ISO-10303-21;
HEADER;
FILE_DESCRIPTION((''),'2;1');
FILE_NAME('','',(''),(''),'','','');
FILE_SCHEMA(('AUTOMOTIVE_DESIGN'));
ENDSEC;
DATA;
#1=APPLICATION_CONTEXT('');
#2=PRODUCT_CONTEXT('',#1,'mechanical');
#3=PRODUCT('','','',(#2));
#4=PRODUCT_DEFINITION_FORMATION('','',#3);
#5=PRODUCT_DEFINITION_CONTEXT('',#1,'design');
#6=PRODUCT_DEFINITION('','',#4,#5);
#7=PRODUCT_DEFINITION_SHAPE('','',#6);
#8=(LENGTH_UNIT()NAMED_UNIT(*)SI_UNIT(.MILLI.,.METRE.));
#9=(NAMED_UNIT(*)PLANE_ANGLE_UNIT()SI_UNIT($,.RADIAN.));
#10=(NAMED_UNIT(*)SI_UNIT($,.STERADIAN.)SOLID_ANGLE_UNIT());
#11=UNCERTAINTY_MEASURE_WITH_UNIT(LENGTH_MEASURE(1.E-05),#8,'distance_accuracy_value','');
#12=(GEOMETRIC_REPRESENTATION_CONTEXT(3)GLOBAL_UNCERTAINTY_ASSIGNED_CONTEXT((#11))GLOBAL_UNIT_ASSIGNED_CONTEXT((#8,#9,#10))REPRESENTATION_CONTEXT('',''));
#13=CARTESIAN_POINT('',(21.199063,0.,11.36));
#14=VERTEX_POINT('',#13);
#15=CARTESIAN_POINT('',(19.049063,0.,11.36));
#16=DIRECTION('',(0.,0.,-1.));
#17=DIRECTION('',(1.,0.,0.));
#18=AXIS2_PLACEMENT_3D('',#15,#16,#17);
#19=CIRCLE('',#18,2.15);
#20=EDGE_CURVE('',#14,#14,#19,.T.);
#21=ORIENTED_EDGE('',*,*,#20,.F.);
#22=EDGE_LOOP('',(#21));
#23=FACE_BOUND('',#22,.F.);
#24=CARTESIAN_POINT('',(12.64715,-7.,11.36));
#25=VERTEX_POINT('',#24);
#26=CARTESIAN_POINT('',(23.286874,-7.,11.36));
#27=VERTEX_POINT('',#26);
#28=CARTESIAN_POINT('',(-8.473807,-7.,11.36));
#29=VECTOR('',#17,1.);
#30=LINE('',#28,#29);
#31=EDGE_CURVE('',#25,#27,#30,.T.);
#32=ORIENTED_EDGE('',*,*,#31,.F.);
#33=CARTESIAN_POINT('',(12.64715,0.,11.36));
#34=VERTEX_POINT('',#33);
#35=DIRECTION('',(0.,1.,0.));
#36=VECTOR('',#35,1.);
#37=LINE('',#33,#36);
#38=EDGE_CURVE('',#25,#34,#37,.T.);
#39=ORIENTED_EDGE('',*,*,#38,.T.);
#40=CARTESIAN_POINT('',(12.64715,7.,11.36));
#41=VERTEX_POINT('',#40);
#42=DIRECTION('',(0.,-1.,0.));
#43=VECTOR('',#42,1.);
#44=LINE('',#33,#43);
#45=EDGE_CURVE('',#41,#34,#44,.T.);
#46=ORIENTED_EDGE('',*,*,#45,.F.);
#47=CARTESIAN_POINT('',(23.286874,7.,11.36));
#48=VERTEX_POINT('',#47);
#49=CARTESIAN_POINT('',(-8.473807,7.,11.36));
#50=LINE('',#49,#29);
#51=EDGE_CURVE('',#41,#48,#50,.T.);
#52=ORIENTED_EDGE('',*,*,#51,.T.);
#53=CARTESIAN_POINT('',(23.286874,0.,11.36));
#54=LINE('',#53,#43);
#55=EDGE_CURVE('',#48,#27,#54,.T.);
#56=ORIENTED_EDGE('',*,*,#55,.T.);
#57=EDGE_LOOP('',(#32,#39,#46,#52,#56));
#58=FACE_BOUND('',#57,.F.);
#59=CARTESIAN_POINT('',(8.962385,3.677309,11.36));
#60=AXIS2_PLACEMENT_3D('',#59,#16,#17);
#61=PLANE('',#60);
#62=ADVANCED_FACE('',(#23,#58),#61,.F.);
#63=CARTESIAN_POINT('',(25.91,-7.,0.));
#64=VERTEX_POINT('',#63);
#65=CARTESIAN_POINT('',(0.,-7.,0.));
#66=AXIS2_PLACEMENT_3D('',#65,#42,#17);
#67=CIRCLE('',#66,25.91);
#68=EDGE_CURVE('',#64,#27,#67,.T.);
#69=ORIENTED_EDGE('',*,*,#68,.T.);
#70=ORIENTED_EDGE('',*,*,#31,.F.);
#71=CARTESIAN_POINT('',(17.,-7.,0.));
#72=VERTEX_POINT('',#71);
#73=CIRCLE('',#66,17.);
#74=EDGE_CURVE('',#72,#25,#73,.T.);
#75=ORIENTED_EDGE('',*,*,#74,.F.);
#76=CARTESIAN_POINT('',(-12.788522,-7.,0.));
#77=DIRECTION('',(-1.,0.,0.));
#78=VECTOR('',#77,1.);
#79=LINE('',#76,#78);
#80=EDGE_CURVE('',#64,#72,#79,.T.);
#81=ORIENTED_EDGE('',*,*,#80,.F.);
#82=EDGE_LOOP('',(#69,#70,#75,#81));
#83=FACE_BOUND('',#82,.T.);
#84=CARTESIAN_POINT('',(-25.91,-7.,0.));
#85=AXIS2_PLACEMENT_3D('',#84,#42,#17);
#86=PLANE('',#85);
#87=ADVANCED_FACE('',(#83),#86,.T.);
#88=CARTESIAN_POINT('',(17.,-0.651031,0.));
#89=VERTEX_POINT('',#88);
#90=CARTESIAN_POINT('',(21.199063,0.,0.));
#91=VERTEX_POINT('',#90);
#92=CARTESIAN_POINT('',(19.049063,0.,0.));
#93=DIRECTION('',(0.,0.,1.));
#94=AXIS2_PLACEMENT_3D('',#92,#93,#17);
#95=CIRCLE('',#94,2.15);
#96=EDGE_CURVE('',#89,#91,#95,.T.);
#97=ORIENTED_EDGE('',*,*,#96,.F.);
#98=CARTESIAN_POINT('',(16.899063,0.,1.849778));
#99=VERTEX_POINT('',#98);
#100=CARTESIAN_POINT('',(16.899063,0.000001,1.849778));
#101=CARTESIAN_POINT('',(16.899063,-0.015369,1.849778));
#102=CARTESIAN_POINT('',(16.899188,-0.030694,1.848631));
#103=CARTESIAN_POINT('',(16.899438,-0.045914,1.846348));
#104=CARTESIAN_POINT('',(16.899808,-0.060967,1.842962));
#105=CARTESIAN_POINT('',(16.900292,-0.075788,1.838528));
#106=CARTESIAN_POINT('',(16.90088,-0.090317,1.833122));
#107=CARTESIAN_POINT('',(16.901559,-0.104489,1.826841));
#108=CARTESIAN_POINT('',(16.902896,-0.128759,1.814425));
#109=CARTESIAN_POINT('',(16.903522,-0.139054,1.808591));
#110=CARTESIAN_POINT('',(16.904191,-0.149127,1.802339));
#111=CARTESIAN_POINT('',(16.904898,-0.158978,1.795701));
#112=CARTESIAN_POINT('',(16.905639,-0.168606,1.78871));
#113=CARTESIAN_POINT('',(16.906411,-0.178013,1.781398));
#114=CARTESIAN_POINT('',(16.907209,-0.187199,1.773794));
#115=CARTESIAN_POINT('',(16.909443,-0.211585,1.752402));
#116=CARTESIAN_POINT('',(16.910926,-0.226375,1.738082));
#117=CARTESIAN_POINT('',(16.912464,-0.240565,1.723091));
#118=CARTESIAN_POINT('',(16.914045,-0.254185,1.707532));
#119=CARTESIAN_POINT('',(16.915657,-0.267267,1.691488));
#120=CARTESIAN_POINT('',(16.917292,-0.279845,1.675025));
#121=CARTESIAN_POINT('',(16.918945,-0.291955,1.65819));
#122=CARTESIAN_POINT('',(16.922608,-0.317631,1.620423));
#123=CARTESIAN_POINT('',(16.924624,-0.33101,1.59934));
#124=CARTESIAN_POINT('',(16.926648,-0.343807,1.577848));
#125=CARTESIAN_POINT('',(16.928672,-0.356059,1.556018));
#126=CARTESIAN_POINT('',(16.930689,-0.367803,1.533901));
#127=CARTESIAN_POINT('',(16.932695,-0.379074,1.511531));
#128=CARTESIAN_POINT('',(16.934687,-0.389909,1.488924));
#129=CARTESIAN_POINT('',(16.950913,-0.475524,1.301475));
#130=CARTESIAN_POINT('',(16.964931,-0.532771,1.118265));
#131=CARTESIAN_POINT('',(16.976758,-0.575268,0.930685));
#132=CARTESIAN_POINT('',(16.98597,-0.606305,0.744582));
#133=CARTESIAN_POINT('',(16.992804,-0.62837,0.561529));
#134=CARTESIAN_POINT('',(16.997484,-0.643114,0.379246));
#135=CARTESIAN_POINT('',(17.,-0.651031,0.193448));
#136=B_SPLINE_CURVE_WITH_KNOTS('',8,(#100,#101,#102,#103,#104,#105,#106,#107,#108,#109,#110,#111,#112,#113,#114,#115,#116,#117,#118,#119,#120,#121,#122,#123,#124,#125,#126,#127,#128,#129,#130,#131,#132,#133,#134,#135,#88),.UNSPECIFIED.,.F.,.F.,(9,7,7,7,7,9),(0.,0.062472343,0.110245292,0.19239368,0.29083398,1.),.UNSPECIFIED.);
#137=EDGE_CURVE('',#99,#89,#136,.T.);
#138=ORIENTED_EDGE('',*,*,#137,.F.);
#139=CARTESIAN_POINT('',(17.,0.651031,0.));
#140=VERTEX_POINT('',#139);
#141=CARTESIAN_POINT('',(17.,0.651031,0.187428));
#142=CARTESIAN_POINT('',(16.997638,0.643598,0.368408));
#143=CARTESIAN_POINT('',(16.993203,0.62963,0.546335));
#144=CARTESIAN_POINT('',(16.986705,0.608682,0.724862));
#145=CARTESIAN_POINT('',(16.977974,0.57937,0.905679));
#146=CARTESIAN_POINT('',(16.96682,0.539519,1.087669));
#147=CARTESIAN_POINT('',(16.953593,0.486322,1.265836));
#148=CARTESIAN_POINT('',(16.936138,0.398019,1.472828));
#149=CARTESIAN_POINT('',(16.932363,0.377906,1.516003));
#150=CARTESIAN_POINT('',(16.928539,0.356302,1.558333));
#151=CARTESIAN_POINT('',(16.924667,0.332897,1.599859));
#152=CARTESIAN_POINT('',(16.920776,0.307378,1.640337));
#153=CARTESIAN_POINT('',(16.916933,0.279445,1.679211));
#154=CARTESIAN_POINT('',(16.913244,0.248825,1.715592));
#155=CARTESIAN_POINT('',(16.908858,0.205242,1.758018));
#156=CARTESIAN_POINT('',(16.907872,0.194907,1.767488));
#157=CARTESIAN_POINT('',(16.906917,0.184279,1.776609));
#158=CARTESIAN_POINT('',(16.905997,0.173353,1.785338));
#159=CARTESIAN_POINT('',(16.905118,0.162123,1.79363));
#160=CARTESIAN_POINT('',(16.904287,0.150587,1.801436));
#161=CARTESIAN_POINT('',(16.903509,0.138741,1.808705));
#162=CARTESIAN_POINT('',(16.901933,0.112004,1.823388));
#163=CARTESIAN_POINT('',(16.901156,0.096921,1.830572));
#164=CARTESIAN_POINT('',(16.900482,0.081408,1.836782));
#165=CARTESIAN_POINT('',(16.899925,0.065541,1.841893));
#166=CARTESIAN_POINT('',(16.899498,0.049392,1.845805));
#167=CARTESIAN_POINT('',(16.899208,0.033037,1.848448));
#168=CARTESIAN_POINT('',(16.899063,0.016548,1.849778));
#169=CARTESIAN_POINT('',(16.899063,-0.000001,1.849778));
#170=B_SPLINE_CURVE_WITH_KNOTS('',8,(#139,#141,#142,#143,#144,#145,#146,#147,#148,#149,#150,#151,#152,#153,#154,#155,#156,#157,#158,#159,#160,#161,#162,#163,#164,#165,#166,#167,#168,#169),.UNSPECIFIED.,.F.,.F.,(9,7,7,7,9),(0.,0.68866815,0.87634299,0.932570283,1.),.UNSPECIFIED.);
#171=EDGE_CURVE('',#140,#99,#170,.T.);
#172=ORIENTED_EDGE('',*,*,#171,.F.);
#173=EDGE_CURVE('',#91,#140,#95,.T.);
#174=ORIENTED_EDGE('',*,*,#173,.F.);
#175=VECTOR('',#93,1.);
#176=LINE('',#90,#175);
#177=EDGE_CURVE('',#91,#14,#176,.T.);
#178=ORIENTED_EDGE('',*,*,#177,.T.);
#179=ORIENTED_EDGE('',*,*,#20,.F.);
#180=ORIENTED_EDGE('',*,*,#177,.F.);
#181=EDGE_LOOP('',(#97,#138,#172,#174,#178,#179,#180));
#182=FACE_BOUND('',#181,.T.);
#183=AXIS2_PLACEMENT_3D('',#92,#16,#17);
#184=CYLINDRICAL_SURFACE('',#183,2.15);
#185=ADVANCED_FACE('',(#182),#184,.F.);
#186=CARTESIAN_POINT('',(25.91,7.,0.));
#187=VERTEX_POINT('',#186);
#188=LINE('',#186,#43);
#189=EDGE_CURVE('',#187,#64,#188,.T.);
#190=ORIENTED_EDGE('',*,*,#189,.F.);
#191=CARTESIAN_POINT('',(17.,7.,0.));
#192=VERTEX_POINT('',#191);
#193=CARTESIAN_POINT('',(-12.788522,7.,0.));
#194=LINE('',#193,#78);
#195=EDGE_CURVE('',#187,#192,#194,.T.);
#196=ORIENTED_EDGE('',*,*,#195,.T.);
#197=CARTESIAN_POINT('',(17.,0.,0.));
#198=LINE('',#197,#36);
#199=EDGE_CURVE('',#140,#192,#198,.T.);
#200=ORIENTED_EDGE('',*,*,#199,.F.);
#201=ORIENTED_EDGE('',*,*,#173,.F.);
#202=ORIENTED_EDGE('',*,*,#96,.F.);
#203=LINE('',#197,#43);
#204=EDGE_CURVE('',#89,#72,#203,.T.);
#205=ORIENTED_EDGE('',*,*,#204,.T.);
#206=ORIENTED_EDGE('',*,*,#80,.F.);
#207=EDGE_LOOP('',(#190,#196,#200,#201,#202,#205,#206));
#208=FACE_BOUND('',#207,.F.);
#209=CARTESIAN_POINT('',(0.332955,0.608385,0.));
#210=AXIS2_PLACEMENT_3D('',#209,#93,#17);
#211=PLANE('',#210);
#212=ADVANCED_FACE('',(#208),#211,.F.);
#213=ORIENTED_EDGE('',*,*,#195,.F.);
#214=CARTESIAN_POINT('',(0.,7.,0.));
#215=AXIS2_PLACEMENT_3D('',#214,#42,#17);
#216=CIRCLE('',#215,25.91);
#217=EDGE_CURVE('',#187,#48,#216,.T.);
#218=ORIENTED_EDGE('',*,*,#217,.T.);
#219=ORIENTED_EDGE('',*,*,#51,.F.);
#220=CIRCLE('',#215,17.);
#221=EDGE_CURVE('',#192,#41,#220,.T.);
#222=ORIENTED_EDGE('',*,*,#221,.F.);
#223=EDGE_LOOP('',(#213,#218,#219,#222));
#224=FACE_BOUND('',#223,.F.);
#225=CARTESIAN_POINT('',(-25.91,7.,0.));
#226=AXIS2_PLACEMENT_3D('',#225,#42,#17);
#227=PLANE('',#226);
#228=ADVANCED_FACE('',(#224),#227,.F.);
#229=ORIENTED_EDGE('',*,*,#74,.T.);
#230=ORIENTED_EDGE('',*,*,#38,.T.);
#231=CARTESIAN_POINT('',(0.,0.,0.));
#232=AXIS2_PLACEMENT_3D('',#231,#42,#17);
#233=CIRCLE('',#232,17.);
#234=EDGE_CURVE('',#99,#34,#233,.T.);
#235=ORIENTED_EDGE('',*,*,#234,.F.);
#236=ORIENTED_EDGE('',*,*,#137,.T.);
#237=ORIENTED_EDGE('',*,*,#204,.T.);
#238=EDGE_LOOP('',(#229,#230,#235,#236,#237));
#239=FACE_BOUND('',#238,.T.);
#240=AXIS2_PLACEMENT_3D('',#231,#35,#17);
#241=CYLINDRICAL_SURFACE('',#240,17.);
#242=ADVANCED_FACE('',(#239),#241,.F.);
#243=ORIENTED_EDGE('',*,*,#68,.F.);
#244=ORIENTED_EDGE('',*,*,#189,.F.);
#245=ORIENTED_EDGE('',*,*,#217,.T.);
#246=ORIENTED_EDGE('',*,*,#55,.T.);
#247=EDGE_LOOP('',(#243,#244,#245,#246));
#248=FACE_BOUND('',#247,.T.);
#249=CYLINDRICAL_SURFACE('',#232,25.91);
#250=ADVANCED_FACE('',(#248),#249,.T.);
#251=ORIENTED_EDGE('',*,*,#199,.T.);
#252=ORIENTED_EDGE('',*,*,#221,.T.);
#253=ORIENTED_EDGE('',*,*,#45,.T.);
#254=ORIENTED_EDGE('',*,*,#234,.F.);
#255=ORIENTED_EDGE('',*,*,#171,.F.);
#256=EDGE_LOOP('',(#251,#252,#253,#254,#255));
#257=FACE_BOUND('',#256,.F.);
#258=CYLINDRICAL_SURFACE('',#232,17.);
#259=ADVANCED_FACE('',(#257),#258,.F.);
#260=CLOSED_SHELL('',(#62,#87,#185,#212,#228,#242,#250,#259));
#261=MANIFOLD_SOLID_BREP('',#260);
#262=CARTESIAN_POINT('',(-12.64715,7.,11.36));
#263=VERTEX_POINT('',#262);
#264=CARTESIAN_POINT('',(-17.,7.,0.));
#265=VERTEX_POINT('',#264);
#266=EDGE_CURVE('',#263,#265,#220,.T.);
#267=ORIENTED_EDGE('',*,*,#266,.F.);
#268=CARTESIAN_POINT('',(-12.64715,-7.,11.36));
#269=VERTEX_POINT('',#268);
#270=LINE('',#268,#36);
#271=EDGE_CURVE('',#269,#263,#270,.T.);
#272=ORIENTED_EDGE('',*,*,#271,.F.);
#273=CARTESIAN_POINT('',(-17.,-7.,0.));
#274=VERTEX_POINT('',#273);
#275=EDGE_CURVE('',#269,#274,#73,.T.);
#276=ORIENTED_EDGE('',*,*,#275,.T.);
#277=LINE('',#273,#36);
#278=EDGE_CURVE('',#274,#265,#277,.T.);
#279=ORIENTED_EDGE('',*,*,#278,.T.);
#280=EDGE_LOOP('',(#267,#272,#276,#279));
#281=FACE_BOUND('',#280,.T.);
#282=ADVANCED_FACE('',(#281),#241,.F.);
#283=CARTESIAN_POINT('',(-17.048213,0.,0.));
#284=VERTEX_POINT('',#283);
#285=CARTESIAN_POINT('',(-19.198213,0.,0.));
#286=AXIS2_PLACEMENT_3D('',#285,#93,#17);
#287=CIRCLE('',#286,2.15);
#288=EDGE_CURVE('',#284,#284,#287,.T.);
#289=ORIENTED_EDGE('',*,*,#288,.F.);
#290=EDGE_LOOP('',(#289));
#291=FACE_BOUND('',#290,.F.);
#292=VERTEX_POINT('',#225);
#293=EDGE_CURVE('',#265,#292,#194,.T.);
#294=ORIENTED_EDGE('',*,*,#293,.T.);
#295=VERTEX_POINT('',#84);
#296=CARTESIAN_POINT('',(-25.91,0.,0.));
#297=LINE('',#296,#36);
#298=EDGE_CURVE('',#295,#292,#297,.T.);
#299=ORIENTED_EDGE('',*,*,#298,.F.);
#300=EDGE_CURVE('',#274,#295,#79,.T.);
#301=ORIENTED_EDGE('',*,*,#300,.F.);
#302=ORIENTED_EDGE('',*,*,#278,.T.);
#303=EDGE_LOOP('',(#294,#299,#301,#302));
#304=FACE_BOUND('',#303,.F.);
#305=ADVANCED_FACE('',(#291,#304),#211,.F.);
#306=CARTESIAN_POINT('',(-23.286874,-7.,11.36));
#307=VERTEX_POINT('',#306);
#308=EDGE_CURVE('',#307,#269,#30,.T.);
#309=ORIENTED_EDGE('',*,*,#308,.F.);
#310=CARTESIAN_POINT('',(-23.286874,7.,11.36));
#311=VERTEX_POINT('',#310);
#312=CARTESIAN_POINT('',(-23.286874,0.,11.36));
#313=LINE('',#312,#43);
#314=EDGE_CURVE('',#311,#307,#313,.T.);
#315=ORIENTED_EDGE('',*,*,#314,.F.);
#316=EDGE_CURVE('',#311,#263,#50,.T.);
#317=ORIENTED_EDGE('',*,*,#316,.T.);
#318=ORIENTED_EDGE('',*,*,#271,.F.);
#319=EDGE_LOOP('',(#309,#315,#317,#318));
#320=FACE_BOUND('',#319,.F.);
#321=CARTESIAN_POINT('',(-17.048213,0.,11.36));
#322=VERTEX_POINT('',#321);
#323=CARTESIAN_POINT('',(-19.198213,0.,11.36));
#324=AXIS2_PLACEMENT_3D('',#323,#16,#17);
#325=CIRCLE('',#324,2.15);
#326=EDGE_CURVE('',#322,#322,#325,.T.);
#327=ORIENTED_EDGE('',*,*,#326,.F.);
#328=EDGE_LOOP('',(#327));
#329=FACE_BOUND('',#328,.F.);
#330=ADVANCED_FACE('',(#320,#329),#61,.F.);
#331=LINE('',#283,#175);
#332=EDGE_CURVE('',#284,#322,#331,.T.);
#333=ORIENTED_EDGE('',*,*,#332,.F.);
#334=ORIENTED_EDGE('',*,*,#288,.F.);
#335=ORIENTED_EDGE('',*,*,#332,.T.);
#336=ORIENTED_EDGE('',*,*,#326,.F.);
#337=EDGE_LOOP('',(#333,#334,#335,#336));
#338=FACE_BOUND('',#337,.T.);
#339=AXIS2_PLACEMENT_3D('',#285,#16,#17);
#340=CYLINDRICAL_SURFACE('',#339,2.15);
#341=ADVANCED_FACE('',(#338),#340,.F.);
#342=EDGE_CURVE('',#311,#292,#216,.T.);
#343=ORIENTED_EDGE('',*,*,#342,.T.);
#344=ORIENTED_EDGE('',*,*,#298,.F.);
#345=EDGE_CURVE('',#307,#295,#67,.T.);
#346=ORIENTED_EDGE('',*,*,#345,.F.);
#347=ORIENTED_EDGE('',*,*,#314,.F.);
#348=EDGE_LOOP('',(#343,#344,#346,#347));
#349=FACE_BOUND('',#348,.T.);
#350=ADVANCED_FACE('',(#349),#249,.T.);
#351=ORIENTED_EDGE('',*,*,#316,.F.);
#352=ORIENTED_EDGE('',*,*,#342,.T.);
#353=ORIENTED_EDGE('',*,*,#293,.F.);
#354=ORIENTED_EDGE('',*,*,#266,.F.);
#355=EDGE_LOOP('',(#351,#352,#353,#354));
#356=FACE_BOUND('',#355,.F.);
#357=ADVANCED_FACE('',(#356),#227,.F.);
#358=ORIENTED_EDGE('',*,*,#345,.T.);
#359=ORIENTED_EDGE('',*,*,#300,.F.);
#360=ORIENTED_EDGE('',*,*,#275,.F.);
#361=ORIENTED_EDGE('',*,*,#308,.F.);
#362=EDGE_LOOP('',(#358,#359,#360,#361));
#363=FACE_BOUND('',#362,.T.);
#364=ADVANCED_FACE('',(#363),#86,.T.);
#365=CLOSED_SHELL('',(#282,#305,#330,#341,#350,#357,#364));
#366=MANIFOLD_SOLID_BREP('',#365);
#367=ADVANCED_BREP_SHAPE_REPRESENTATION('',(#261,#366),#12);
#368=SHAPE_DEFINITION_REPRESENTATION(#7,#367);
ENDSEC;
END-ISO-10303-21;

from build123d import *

# Parameters (mm, degrees)
F0_R          = 25.91
F1_DEPTH      = 7
F1_DEPTH_BACK = 7
F2_R          = 17
F3_DEPTH      = 7
F3_DEPTH_BACK = 7
F5_W          = 10
F5_H          = 14
F6_DEPTH      = 20
F7_R          = 2.15
F8_DEPTH      = 30
F8_DEPTH_BACK = 30
F9_W          = 14
F9_H          = 14
F10_DEPTH     = 3
F14_W         = 122.705668211
F14_H         = 84.9680826068
F15_DEPTH     = 18
F16_W         = 70.5849379301
F16_H         = 46.2428703904
F17_DEPTH     = 30


with BuildPart() as f1:
    # F0 (on Front) → F1 (new body, two sides)
    with BuildSketch(Plane.XZ) as f1_sk:
        Circle(F0_R)
    extrude(amount=F1_DEPTH)
    extrude(f1_sk.sketch, amount=-F1_DEPTH_BACK)

    # F2 (on Front) → F3 (cut, two sides)
    with BuildSketch(Plane.XZ) as f3_sk:
        Circle(F2_R)
    extrude(amount=-F3_DEPTH, mode=Mode.SUBTRACT)
    extrude(f3_sk.sketch, amount=F3_DEPTH_BACK, mode=Mode.SUBTRACT)

    # F5 (on face) → F6 (join)
    with BuildSketch(Plane.XY):
        with Locations((-20.91, 0)):
            Rectangle(F5_W, F5_H)
        with Locations((20.91, 0)):
            Rectangle(F5_W, F5_H)
    extrude(amount=-F6_DEPTH)

    # F7 (on face) → F8 (cut, two sides)
    with BuildSketch(Plane.XY) as f8_sk:
        with Locations((-19.1982129737, 0)):
            Circle(F7_R)
        with Locations((19.0490627756, 0)):
            Circle(F7_R)
    extrude(amount=F8_DEPTH, mode=Mode.SUBTRACT)
    extrude(f8_sk.sketch, amount=-F8_DEPTH_BACK, mode=Mode.SUBTRACT)

    # F9 (on face) → F10 (cut)
    with BuildSketch(Plane(origin=(0, 0, -20), x_dir=(1, 0, 0), z_dir=(0, 0, -1))):
        with Locations((-18.91, 0)):
            Rectangle(F9_W, F9_H)
        with Locations((18.91, 0)):
            Rectangle(F9_W, F9_H)
    extrude(amount=F10_DEPTH, mode=Mode.SUBTRACT)

    # F14 (on 3pt) → F15 (cut)
    with BuildSketch(Plane(origin=(0, 0, 11.36), x_dir=(1, 0, 0), z_dir=(0, 0, -1))):
        with Locations((8.9623853564, -3.6773085594)):
            Rectangle(F14_W, F14_H)
    extrude(amount=-F15_DEPTH, mode=Mode.SUBTRACT)

    # F16 (on face) → F17 (cut)
    with BuildSketch(Plane.XY):
        with Locations((0.332955271, 0.6083846092)):
            Rectangle(F16_W, F16_H)
    extrude(amount=-F17_DEPTH, mode=Mode.SUBTRACT)


solid = f1.part
